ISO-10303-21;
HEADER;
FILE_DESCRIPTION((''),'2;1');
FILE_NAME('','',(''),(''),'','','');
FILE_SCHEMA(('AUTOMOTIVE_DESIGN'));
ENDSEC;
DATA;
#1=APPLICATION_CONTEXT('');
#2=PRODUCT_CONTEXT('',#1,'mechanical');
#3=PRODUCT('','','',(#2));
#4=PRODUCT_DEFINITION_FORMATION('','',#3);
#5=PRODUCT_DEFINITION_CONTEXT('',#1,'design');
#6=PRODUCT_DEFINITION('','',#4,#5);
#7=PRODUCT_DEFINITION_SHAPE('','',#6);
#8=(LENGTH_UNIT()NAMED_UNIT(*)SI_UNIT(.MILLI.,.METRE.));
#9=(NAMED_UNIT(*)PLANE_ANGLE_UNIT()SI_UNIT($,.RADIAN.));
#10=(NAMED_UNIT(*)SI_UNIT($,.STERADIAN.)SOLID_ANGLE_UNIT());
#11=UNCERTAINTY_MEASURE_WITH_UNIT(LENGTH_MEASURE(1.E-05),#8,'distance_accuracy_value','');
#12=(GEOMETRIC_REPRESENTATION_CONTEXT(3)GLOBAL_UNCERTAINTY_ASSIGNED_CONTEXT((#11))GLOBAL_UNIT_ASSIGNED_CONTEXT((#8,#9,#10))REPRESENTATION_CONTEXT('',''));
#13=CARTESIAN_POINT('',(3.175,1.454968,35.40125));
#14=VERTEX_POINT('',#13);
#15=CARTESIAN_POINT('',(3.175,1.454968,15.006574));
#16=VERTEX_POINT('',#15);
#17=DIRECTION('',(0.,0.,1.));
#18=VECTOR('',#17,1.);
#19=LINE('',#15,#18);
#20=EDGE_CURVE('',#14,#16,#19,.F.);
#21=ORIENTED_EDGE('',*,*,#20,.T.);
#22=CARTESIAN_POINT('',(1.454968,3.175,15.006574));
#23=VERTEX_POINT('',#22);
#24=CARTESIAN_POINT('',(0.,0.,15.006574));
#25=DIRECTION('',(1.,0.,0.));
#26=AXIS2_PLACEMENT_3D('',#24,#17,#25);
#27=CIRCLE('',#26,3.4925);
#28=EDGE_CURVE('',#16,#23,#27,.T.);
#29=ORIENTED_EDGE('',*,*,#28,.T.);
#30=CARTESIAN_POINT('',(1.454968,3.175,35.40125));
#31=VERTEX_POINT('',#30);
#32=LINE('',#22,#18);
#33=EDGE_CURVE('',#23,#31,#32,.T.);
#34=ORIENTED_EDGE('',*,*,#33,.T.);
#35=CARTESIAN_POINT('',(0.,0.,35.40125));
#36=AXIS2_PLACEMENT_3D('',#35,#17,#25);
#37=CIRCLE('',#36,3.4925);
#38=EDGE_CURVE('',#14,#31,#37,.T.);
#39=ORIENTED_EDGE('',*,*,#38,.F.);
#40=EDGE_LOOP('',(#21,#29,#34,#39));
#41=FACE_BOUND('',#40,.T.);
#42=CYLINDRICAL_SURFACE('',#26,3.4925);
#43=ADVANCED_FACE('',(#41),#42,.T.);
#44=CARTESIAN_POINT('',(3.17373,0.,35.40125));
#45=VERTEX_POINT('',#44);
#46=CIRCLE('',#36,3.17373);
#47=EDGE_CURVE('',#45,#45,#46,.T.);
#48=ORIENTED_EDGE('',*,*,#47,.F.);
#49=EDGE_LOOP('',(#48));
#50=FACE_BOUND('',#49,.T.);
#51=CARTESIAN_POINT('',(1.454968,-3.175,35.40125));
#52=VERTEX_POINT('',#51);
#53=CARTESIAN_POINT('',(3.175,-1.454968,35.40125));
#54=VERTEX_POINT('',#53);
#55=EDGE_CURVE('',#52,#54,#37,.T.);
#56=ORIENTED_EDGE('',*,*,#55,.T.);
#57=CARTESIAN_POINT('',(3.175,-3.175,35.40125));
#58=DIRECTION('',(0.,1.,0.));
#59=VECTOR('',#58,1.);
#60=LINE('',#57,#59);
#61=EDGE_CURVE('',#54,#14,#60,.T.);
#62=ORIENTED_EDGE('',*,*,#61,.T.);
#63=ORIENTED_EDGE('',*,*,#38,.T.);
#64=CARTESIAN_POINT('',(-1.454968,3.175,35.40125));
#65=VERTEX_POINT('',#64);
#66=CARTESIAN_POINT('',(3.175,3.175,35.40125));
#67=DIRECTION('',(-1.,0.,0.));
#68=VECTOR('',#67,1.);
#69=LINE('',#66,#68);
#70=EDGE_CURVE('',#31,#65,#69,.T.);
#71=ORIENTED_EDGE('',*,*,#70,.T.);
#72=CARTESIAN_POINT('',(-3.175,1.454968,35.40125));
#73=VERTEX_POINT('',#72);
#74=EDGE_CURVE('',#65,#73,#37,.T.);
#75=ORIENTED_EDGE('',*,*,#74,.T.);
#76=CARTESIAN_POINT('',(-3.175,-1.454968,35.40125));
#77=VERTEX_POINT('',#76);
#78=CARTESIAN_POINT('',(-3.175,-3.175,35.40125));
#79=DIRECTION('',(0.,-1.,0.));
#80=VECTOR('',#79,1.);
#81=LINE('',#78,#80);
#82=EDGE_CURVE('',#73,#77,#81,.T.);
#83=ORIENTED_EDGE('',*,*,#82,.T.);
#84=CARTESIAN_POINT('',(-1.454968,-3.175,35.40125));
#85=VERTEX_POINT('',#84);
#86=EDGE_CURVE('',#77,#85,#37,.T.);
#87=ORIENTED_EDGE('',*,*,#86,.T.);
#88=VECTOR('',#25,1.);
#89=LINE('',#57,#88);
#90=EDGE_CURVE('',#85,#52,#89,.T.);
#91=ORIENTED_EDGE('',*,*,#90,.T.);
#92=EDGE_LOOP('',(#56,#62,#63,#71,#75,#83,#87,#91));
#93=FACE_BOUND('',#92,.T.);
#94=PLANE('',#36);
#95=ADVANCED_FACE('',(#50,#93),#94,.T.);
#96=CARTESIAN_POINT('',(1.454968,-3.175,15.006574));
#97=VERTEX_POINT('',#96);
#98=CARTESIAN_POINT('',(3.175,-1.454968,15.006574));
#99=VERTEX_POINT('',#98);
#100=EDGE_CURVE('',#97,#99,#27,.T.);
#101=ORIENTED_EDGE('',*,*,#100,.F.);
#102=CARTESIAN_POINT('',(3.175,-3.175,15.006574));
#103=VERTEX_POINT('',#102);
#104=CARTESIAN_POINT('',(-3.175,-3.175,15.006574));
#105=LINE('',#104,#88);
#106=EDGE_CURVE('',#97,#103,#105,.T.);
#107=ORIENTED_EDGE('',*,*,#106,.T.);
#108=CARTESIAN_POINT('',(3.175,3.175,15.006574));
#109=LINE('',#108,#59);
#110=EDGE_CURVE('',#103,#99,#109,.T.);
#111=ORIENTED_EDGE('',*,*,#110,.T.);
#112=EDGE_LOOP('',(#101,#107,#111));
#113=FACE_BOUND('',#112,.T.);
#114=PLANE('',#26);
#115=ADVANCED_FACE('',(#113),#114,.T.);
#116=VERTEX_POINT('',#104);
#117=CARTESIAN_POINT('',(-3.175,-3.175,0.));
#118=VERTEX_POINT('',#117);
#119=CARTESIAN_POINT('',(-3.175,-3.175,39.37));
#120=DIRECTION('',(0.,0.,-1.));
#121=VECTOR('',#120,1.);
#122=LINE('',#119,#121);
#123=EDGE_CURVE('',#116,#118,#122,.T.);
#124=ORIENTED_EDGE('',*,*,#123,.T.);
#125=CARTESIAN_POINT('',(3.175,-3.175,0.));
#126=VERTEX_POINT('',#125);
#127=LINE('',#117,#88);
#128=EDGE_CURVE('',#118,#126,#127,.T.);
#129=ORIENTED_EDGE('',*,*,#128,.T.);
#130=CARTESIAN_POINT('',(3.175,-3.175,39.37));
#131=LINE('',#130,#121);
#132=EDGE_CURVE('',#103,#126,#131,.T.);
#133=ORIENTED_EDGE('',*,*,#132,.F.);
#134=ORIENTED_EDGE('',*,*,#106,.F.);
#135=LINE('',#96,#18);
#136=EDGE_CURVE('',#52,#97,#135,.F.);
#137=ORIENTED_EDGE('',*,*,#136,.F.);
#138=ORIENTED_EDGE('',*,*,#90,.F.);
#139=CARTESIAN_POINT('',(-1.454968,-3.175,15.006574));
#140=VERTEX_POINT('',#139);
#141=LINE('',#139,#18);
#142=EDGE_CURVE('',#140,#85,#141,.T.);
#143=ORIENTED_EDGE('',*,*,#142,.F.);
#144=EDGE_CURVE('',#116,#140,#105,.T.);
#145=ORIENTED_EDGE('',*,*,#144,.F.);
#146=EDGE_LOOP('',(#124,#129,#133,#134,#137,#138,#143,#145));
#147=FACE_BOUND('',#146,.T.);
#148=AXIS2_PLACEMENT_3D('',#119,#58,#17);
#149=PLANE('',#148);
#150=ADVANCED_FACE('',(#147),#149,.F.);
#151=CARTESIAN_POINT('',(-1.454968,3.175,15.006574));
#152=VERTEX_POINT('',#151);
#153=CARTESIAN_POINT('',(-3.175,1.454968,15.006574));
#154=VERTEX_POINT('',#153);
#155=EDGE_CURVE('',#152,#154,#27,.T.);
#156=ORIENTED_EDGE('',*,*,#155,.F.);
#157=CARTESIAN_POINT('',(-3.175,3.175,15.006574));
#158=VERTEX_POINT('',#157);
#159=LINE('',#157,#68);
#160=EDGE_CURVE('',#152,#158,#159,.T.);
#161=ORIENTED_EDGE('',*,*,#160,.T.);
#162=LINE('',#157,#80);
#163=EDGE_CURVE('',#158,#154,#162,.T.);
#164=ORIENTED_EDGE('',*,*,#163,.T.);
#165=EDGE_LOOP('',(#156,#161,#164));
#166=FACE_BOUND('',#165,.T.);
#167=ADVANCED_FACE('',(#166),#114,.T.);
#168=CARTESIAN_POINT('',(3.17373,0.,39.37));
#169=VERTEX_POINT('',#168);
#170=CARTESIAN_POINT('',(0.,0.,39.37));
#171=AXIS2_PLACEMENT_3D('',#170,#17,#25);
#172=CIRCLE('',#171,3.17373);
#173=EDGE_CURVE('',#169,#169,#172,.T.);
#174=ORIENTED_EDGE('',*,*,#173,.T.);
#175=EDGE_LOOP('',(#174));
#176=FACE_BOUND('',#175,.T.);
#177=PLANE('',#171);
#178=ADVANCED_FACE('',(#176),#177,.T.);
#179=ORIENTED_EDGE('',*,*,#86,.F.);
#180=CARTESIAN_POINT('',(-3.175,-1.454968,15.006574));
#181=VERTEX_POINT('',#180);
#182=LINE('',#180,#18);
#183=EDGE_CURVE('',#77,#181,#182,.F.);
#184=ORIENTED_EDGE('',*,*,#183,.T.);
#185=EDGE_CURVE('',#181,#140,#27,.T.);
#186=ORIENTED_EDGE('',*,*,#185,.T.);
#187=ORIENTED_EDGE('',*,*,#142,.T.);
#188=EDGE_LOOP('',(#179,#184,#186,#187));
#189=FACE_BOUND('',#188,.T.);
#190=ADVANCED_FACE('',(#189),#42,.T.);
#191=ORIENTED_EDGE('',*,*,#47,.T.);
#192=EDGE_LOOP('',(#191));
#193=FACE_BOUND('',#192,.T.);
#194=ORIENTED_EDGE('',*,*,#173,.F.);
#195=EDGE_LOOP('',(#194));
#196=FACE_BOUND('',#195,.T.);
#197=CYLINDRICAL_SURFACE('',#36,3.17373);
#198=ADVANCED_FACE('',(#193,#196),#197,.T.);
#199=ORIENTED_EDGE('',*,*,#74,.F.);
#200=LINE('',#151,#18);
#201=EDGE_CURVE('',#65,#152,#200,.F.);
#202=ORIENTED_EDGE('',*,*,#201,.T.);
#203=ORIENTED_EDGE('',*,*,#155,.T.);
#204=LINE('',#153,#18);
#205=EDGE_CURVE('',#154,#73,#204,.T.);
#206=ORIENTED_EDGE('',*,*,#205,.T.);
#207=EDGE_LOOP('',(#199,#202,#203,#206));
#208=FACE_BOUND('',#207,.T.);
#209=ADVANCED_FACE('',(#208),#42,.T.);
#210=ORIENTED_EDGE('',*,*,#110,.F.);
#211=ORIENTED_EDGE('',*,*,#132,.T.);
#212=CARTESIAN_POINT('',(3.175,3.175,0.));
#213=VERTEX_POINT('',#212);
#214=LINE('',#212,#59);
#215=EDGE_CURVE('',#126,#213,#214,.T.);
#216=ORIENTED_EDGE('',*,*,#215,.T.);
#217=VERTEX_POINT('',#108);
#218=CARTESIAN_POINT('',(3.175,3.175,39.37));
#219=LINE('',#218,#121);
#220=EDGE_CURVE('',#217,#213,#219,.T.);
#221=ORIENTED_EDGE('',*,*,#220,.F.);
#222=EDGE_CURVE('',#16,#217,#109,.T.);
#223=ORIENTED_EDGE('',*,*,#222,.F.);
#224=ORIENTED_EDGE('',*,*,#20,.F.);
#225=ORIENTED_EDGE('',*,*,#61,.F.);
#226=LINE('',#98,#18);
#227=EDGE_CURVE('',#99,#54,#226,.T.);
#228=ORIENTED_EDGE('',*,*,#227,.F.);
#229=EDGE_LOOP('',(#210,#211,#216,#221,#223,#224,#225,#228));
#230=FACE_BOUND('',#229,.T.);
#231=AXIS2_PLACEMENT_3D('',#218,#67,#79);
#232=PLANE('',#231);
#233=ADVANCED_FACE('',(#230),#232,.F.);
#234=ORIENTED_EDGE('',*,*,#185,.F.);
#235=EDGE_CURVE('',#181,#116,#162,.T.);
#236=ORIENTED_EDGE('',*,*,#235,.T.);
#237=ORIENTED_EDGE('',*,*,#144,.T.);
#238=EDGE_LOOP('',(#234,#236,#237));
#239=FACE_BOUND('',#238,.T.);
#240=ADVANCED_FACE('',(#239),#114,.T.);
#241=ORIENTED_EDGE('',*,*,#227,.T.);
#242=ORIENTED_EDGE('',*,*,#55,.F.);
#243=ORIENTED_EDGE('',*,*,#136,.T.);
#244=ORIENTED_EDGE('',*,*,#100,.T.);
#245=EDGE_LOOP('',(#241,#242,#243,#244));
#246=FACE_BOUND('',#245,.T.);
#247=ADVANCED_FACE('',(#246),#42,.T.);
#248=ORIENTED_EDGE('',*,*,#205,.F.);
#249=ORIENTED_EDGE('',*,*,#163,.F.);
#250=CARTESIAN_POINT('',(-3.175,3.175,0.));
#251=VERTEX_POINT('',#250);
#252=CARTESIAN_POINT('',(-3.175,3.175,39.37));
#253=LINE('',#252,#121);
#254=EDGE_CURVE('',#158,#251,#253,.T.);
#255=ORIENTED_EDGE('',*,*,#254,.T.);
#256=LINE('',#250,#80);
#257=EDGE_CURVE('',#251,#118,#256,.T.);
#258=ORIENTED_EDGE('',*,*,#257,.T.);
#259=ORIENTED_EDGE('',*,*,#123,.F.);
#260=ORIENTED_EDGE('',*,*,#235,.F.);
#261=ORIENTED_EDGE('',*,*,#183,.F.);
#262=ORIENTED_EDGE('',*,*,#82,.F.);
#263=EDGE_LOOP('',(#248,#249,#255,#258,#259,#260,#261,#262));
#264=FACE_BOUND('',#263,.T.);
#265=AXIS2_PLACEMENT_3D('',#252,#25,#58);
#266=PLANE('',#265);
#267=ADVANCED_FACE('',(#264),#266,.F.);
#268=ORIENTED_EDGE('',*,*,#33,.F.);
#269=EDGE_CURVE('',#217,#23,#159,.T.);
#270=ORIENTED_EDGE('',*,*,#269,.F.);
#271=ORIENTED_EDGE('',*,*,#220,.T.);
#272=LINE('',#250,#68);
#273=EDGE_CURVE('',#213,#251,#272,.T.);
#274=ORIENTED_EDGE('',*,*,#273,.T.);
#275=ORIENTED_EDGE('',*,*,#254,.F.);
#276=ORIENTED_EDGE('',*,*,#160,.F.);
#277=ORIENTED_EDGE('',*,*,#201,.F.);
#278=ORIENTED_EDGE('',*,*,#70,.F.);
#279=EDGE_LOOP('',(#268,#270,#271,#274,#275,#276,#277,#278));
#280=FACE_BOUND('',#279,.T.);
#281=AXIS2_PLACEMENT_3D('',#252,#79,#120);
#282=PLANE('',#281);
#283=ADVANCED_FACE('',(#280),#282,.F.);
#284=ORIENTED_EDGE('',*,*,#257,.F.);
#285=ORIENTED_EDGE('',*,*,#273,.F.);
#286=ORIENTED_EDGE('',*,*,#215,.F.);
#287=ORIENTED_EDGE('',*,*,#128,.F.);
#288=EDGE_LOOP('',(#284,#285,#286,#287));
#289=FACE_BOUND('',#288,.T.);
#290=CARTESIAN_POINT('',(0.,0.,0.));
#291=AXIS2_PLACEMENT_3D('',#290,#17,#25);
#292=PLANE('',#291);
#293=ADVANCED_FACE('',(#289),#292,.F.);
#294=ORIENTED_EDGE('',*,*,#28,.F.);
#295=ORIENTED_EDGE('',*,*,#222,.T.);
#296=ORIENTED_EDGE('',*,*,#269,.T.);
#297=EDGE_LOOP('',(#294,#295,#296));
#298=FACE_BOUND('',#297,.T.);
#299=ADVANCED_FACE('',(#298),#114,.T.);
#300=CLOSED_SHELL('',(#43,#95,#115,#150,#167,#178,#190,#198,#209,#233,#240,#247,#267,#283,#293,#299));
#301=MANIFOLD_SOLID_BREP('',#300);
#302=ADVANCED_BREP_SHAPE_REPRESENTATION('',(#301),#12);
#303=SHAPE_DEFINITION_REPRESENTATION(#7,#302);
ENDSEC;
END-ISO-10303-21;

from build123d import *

# Parameters (mm, degrees)
SKETCH1_W           = 6.35
SKETCH1_H           = 6.35
BOSS_EXTRUDE1_DEPTH = 39.37
SKETCH2_W           = 6.35
SKETCH2_H           = 6.35
SKETCH2_R           = 3.17373
CUT_EXTRUDE1_DEPTH  = 3.96875
SKETCH3_W           = 9.525
SKETCH3_H           = 9.525
SKETCH3_R           = 3.4925
CUT_EXTRUDE2_DEPTH  = 20.394676


with BuildPart() as part:
    # Sketch1 → Boss-Extrude1 (new body)
    with BuildSketch(Plane.XY):
        Rectangle(SKETCH1_W, SKETCH1_H)
    extrude(amount=BOSS_EXTRUDE1_DEPTH)

    # Sketch2 → Cut-Extrude1 (cut)
    with BuildSketch(Plane.XY.offset(39.37)):
        Rectangle(SKETCH2_W, SKETCH2_H)
        Circle(SKETCH2_R, mode=Mode.SUBTRACT)
    extrude(amount=-CUT_EXTRUDE1_DEPTH, mode=Mode.SUBTRACT)

    # Sketch3 → Cut-Extrude2 (cut)
    with BuildSketch(Plane.XY.offset(35.40125)):
        Rectangle(SKETCH3_W, SKETCH3_H)
        Circle(SKETCH3_R, mode=Mode.SUBTRACT)
    extrude(amount=-CUT_EXTRUDE2_DEPTH, mode=Mode.SUBTRACT)


solid = part.part
